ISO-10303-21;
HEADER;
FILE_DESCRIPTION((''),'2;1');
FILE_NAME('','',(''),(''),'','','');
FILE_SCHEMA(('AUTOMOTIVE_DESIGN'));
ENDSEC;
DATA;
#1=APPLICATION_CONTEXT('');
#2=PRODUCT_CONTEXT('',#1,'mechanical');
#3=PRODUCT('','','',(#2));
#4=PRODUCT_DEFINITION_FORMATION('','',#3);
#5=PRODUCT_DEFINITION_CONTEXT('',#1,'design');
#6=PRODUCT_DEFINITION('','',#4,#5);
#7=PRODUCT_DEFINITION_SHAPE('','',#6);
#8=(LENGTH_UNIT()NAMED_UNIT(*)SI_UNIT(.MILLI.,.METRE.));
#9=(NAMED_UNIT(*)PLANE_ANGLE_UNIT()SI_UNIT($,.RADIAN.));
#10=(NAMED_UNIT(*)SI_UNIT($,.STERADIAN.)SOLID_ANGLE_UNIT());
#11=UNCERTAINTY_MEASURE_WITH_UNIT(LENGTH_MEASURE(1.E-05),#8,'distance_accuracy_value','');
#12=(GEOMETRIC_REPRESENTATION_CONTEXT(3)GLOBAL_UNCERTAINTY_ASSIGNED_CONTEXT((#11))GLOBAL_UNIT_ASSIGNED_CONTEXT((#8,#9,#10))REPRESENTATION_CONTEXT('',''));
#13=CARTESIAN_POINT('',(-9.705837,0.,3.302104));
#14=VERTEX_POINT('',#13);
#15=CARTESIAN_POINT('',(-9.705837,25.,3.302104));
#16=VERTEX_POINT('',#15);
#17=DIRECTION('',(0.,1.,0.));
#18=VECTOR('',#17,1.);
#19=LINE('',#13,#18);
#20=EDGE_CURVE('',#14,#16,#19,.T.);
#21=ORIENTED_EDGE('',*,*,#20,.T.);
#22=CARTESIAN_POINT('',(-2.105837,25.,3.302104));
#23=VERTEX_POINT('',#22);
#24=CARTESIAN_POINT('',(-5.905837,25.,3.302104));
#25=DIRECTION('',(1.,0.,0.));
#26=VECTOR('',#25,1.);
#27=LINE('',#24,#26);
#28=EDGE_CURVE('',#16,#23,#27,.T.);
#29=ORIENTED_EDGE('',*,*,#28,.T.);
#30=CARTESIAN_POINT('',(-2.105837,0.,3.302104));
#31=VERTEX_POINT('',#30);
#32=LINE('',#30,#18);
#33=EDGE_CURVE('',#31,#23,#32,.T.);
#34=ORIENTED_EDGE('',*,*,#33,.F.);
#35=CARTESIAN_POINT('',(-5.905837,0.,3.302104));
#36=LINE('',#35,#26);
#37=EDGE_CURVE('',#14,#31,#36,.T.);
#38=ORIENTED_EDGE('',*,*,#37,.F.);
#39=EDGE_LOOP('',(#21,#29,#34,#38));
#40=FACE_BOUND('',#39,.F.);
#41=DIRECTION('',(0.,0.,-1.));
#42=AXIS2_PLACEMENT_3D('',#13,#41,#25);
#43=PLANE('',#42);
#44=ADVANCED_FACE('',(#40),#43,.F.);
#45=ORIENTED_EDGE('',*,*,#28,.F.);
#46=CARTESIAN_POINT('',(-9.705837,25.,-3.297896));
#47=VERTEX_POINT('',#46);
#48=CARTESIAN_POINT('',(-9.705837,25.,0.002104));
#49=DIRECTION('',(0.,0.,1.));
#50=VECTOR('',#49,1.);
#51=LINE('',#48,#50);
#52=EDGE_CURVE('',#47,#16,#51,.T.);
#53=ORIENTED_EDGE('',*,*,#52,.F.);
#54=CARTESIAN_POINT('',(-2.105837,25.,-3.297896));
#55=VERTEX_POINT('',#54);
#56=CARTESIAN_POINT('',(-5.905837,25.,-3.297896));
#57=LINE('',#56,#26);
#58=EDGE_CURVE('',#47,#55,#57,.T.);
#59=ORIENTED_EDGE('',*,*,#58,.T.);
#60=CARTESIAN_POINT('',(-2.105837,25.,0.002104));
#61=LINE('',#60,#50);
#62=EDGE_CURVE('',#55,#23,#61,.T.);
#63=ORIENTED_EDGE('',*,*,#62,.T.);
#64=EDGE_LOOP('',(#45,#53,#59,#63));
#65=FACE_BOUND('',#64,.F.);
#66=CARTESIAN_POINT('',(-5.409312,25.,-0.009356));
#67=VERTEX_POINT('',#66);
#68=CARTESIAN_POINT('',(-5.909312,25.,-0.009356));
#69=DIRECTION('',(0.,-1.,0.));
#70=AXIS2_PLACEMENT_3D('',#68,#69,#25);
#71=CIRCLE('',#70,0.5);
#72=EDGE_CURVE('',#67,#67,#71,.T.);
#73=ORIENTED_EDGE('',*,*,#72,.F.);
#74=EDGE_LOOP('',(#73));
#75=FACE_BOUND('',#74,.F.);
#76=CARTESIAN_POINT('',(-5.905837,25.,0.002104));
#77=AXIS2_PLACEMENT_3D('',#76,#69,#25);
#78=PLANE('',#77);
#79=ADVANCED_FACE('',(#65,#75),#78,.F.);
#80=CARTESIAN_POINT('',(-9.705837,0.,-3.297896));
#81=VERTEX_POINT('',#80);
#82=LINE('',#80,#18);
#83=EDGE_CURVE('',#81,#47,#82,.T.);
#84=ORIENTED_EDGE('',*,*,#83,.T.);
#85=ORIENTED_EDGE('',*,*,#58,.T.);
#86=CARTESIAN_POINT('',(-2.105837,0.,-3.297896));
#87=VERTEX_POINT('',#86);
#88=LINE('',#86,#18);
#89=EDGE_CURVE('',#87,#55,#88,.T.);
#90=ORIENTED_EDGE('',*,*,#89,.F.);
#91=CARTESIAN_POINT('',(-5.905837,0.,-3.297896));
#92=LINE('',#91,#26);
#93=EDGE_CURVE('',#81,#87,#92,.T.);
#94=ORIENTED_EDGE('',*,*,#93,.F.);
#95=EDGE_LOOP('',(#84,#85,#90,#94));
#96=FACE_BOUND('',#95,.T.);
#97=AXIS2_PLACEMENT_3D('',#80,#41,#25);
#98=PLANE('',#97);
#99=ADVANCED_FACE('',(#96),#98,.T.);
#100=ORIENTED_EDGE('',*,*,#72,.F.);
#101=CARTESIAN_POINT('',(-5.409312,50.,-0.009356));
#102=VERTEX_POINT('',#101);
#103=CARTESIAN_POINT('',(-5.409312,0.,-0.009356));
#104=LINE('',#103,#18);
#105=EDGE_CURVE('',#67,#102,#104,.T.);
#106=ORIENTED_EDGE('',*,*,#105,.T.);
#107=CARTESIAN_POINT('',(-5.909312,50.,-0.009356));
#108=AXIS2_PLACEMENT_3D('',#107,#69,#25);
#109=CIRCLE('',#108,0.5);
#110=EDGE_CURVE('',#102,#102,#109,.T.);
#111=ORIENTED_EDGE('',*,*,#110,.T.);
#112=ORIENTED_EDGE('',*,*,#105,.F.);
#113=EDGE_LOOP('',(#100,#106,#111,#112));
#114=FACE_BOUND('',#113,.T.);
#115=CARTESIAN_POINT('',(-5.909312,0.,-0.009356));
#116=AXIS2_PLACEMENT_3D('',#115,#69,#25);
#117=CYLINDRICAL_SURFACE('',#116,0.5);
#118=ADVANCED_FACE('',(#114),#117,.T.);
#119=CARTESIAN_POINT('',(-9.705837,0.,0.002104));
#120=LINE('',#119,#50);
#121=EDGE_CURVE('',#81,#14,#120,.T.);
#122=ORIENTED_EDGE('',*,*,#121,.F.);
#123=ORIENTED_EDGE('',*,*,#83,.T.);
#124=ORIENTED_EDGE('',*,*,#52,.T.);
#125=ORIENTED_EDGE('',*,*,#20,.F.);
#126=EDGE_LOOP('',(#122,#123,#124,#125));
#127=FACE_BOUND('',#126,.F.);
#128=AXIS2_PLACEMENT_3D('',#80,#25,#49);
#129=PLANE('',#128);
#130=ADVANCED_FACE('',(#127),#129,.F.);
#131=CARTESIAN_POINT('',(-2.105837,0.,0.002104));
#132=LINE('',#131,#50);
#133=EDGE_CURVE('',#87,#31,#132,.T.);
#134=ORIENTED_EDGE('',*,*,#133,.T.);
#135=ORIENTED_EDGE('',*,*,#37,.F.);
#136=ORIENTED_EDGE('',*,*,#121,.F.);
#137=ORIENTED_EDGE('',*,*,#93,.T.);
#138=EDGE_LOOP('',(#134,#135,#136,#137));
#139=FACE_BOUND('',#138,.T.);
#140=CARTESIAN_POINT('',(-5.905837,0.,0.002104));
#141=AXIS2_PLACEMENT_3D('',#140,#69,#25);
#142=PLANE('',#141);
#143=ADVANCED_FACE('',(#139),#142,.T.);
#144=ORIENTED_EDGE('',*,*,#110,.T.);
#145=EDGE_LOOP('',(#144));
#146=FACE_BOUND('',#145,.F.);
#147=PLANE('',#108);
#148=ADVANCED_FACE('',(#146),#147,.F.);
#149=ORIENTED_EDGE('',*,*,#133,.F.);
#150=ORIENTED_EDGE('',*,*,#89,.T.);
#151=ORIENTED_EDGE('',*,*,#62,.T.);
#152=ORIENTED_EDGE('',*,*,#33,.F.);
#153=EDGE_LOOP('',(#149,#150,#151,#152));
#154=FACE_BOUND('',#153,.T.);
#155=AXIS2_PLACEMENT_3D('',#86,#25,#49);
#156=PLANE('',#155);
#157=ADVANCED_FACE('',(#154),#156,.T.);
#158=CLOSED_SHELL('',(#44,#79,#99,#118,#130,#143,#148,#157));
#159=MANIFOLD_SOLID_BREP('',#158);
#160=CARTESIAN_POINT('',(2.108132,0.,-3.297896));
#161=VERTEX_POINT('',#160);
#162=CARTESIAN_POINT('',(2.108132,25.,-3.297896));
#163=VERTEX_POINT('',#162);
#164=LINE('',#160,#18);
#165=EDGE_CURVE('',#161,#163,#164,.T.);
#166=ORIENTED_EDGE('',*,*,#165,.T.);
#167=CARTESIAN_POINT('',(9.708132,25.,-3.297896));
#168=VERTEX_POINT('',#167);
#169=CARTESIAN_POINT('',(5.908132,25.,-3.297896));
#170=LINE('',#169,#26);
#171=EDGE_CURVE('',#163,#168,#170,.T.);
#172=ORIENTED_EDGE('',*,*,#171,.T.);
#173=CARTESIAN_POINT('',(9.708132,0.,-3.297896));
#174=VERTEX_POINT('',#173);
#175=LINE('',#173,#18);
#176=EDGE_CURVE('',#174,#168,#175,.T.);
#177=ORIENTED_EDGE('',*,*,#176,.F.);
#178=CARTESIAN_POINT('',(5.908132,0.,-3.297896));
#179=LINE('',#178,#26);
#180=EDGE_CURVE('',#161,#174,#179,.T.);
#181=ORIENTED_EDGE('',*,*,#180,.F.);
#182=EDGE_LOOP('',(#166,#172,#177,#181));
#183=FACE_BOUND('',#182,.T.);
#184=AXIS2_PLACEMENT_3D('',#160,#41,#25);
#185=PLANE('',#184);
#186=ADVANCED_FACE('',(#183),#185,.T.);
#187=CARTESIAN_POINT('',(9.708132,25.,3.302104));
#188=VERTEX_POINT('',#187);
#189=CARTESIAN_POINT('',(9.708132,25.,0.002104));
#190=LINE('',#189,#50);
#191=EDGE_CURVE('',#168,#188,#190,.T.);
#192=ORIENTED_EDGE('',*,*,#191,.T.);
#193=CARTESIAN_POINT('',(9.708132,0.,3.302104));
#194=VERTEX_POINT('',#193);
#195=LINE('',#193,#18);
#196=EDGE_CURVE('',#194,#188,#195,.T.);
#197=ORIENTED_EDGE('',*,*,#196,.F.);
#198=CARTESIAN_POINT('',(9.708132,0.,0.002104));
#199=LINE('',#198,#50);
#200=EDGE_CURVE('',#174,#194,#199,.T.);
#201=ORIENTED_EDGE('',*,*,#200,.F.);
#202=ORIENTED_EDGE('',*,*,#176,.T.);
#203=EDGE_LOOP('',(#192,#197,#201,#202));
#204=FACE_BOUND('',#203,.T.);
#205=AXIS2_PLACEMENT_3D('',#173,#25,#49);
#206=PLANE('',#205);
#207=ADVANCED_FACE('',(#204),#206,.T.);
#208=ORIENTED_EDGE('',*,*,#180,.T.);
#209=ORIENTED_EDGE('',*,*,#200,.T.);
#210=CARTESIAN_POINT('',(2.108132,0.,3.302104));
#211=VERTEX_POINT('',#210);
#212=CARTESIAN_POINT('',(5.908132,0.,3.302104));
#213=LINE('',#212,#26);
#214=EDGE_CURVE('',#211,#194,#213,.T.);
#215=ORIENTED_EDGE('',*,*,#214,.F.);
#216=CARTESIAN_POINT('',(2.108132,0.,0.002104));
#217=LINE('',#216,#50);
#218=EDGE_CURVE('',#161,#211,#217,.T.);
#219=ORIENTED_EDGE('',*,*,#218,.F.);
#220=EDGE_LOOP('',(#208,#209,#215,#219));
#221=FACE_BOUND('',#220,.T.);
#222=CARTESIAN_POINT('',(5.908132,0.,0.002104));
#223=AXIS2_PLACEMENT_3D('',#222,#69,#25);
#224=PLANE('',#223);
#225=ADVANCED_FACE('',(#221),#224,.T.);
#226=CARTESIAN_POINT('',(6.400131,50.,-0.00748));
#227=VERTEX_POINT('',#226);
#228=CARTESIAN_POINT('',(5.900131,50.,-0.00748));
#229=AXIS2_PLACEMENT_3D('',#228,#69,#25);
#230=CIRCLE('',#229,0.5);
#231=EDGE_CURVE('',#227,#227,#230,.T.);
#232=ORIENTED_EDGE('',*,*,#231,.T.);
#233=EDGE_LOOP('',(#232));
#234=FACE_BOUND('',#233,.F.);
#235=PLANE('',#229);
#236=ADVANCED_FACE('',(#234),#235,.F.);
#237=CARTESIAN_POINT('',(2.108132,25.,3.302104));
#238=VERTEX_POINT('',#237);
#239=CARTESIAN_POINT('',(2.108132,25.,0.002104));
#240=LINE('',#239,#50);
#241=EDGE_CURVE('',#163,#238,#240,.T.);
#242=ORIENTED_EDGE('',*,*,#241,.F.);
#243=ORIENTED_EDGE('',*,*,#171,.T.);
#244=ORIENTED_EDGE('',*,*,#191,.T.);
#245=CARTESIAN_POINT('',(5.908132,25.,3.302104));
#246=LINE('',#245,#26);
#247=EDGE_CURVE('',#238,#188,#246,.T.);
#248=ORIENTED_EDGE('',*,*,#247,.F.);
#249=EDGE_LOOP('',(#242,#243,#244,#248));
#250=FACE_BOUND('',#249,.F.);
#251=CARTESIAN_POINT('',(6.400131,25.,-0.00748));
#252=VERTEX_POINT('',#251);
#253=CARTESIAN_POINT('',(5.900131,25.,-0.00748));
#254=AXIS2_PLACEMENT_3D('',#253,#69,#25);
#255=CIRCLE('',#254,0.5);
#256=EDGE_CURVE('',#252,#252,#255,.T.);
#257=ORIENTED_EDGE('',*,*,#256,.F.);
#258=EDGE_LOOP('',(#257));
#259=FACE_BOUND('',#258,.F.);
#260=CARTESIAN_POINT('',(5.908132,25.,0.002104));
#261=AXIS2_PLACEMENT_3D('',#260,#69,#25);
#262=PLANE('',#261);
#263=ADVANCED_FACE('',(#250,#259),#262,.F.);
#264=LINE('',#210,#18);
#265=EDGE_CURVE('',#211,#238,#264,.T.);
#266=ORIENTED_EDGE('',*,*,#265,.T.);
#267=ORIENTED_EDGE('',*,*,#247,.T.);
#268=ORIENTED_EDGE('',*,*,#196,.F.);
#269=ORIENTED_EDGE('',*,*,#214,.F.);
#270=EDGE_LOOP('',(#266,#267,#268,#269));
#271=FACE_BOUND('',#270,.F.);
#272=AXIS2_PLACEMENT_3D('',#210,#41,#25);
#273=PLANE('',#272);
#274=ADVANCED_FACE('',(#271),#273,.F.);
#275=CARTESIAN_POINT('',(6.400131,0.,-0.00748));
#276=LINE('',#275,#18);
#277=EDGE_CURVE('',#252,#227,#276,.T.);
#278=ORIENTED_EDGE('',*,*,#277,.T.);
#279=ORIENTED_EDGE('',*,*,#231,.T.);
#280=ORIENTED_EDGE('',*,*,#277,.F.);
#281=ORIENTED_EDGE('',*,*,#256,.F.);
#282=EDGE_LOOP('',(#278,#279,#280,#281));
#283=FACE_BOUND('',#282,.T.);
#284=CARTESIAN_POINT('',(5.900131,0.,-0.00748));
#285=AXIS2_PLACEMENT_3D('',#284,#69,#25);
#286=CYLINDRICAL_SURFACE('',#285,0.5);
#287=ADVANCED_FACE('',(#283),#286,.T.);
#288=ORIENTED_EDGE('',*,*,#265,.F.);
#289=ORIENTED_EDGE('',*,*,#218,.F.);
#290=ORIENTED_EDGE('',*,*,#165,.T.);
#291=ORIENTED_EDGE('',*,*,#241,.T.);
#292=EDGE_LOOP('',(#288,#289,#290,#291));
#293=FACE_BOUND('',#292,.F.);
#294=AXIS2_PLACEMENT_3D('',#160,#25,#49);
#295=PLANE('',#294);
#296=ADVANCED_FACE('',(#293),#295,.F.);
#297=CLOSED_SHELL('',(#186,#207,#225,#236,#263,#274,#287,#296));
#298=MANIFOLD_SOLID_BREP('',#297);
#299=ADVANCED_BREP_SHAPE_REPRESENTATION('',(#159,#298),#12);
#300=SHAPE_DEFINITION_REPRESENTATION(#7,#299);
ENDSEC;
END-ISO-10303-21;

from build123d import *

# Parameters (mm, degrees)
F0_R     = 0.5
F1_DEPTH = 50
F0_W     = 7.6
F0_H     = 6.6
F2_DEPTH = 25


with BuildPart() as f1:
    # F0 (on Front) → F1 (new body)
    with BuildSketch(Plane.XZ):
        with Locations((5.900131, -0.00748)):
            Circle(F0_R)
        with Locations((-5.909312, -0.009356)):
            Circle(F0_R)
    extrude(amount=-F1_DEPTH)

    # F0 (on Front) → F2 (join)
    with BuildSketch(Plane.XZ):
        with Locations((5.908132, 0.002104)):
            Rectangle(F0_W, F0_H)
        with Locations((5.900131, -0.00748)):
            Circle(F0_R, mode=Mode.SUBTRACT)
        with Locations((-5.905837, 0.002104)):
            Rectangle(F0_W, F0_H)
        with Locations((-5.909312, -0.009356)):
            Circle(F0_R, mode=Mode.SUBTRACT)
    extrude(amount=-F2_DEPTH)


solid = f1.part
